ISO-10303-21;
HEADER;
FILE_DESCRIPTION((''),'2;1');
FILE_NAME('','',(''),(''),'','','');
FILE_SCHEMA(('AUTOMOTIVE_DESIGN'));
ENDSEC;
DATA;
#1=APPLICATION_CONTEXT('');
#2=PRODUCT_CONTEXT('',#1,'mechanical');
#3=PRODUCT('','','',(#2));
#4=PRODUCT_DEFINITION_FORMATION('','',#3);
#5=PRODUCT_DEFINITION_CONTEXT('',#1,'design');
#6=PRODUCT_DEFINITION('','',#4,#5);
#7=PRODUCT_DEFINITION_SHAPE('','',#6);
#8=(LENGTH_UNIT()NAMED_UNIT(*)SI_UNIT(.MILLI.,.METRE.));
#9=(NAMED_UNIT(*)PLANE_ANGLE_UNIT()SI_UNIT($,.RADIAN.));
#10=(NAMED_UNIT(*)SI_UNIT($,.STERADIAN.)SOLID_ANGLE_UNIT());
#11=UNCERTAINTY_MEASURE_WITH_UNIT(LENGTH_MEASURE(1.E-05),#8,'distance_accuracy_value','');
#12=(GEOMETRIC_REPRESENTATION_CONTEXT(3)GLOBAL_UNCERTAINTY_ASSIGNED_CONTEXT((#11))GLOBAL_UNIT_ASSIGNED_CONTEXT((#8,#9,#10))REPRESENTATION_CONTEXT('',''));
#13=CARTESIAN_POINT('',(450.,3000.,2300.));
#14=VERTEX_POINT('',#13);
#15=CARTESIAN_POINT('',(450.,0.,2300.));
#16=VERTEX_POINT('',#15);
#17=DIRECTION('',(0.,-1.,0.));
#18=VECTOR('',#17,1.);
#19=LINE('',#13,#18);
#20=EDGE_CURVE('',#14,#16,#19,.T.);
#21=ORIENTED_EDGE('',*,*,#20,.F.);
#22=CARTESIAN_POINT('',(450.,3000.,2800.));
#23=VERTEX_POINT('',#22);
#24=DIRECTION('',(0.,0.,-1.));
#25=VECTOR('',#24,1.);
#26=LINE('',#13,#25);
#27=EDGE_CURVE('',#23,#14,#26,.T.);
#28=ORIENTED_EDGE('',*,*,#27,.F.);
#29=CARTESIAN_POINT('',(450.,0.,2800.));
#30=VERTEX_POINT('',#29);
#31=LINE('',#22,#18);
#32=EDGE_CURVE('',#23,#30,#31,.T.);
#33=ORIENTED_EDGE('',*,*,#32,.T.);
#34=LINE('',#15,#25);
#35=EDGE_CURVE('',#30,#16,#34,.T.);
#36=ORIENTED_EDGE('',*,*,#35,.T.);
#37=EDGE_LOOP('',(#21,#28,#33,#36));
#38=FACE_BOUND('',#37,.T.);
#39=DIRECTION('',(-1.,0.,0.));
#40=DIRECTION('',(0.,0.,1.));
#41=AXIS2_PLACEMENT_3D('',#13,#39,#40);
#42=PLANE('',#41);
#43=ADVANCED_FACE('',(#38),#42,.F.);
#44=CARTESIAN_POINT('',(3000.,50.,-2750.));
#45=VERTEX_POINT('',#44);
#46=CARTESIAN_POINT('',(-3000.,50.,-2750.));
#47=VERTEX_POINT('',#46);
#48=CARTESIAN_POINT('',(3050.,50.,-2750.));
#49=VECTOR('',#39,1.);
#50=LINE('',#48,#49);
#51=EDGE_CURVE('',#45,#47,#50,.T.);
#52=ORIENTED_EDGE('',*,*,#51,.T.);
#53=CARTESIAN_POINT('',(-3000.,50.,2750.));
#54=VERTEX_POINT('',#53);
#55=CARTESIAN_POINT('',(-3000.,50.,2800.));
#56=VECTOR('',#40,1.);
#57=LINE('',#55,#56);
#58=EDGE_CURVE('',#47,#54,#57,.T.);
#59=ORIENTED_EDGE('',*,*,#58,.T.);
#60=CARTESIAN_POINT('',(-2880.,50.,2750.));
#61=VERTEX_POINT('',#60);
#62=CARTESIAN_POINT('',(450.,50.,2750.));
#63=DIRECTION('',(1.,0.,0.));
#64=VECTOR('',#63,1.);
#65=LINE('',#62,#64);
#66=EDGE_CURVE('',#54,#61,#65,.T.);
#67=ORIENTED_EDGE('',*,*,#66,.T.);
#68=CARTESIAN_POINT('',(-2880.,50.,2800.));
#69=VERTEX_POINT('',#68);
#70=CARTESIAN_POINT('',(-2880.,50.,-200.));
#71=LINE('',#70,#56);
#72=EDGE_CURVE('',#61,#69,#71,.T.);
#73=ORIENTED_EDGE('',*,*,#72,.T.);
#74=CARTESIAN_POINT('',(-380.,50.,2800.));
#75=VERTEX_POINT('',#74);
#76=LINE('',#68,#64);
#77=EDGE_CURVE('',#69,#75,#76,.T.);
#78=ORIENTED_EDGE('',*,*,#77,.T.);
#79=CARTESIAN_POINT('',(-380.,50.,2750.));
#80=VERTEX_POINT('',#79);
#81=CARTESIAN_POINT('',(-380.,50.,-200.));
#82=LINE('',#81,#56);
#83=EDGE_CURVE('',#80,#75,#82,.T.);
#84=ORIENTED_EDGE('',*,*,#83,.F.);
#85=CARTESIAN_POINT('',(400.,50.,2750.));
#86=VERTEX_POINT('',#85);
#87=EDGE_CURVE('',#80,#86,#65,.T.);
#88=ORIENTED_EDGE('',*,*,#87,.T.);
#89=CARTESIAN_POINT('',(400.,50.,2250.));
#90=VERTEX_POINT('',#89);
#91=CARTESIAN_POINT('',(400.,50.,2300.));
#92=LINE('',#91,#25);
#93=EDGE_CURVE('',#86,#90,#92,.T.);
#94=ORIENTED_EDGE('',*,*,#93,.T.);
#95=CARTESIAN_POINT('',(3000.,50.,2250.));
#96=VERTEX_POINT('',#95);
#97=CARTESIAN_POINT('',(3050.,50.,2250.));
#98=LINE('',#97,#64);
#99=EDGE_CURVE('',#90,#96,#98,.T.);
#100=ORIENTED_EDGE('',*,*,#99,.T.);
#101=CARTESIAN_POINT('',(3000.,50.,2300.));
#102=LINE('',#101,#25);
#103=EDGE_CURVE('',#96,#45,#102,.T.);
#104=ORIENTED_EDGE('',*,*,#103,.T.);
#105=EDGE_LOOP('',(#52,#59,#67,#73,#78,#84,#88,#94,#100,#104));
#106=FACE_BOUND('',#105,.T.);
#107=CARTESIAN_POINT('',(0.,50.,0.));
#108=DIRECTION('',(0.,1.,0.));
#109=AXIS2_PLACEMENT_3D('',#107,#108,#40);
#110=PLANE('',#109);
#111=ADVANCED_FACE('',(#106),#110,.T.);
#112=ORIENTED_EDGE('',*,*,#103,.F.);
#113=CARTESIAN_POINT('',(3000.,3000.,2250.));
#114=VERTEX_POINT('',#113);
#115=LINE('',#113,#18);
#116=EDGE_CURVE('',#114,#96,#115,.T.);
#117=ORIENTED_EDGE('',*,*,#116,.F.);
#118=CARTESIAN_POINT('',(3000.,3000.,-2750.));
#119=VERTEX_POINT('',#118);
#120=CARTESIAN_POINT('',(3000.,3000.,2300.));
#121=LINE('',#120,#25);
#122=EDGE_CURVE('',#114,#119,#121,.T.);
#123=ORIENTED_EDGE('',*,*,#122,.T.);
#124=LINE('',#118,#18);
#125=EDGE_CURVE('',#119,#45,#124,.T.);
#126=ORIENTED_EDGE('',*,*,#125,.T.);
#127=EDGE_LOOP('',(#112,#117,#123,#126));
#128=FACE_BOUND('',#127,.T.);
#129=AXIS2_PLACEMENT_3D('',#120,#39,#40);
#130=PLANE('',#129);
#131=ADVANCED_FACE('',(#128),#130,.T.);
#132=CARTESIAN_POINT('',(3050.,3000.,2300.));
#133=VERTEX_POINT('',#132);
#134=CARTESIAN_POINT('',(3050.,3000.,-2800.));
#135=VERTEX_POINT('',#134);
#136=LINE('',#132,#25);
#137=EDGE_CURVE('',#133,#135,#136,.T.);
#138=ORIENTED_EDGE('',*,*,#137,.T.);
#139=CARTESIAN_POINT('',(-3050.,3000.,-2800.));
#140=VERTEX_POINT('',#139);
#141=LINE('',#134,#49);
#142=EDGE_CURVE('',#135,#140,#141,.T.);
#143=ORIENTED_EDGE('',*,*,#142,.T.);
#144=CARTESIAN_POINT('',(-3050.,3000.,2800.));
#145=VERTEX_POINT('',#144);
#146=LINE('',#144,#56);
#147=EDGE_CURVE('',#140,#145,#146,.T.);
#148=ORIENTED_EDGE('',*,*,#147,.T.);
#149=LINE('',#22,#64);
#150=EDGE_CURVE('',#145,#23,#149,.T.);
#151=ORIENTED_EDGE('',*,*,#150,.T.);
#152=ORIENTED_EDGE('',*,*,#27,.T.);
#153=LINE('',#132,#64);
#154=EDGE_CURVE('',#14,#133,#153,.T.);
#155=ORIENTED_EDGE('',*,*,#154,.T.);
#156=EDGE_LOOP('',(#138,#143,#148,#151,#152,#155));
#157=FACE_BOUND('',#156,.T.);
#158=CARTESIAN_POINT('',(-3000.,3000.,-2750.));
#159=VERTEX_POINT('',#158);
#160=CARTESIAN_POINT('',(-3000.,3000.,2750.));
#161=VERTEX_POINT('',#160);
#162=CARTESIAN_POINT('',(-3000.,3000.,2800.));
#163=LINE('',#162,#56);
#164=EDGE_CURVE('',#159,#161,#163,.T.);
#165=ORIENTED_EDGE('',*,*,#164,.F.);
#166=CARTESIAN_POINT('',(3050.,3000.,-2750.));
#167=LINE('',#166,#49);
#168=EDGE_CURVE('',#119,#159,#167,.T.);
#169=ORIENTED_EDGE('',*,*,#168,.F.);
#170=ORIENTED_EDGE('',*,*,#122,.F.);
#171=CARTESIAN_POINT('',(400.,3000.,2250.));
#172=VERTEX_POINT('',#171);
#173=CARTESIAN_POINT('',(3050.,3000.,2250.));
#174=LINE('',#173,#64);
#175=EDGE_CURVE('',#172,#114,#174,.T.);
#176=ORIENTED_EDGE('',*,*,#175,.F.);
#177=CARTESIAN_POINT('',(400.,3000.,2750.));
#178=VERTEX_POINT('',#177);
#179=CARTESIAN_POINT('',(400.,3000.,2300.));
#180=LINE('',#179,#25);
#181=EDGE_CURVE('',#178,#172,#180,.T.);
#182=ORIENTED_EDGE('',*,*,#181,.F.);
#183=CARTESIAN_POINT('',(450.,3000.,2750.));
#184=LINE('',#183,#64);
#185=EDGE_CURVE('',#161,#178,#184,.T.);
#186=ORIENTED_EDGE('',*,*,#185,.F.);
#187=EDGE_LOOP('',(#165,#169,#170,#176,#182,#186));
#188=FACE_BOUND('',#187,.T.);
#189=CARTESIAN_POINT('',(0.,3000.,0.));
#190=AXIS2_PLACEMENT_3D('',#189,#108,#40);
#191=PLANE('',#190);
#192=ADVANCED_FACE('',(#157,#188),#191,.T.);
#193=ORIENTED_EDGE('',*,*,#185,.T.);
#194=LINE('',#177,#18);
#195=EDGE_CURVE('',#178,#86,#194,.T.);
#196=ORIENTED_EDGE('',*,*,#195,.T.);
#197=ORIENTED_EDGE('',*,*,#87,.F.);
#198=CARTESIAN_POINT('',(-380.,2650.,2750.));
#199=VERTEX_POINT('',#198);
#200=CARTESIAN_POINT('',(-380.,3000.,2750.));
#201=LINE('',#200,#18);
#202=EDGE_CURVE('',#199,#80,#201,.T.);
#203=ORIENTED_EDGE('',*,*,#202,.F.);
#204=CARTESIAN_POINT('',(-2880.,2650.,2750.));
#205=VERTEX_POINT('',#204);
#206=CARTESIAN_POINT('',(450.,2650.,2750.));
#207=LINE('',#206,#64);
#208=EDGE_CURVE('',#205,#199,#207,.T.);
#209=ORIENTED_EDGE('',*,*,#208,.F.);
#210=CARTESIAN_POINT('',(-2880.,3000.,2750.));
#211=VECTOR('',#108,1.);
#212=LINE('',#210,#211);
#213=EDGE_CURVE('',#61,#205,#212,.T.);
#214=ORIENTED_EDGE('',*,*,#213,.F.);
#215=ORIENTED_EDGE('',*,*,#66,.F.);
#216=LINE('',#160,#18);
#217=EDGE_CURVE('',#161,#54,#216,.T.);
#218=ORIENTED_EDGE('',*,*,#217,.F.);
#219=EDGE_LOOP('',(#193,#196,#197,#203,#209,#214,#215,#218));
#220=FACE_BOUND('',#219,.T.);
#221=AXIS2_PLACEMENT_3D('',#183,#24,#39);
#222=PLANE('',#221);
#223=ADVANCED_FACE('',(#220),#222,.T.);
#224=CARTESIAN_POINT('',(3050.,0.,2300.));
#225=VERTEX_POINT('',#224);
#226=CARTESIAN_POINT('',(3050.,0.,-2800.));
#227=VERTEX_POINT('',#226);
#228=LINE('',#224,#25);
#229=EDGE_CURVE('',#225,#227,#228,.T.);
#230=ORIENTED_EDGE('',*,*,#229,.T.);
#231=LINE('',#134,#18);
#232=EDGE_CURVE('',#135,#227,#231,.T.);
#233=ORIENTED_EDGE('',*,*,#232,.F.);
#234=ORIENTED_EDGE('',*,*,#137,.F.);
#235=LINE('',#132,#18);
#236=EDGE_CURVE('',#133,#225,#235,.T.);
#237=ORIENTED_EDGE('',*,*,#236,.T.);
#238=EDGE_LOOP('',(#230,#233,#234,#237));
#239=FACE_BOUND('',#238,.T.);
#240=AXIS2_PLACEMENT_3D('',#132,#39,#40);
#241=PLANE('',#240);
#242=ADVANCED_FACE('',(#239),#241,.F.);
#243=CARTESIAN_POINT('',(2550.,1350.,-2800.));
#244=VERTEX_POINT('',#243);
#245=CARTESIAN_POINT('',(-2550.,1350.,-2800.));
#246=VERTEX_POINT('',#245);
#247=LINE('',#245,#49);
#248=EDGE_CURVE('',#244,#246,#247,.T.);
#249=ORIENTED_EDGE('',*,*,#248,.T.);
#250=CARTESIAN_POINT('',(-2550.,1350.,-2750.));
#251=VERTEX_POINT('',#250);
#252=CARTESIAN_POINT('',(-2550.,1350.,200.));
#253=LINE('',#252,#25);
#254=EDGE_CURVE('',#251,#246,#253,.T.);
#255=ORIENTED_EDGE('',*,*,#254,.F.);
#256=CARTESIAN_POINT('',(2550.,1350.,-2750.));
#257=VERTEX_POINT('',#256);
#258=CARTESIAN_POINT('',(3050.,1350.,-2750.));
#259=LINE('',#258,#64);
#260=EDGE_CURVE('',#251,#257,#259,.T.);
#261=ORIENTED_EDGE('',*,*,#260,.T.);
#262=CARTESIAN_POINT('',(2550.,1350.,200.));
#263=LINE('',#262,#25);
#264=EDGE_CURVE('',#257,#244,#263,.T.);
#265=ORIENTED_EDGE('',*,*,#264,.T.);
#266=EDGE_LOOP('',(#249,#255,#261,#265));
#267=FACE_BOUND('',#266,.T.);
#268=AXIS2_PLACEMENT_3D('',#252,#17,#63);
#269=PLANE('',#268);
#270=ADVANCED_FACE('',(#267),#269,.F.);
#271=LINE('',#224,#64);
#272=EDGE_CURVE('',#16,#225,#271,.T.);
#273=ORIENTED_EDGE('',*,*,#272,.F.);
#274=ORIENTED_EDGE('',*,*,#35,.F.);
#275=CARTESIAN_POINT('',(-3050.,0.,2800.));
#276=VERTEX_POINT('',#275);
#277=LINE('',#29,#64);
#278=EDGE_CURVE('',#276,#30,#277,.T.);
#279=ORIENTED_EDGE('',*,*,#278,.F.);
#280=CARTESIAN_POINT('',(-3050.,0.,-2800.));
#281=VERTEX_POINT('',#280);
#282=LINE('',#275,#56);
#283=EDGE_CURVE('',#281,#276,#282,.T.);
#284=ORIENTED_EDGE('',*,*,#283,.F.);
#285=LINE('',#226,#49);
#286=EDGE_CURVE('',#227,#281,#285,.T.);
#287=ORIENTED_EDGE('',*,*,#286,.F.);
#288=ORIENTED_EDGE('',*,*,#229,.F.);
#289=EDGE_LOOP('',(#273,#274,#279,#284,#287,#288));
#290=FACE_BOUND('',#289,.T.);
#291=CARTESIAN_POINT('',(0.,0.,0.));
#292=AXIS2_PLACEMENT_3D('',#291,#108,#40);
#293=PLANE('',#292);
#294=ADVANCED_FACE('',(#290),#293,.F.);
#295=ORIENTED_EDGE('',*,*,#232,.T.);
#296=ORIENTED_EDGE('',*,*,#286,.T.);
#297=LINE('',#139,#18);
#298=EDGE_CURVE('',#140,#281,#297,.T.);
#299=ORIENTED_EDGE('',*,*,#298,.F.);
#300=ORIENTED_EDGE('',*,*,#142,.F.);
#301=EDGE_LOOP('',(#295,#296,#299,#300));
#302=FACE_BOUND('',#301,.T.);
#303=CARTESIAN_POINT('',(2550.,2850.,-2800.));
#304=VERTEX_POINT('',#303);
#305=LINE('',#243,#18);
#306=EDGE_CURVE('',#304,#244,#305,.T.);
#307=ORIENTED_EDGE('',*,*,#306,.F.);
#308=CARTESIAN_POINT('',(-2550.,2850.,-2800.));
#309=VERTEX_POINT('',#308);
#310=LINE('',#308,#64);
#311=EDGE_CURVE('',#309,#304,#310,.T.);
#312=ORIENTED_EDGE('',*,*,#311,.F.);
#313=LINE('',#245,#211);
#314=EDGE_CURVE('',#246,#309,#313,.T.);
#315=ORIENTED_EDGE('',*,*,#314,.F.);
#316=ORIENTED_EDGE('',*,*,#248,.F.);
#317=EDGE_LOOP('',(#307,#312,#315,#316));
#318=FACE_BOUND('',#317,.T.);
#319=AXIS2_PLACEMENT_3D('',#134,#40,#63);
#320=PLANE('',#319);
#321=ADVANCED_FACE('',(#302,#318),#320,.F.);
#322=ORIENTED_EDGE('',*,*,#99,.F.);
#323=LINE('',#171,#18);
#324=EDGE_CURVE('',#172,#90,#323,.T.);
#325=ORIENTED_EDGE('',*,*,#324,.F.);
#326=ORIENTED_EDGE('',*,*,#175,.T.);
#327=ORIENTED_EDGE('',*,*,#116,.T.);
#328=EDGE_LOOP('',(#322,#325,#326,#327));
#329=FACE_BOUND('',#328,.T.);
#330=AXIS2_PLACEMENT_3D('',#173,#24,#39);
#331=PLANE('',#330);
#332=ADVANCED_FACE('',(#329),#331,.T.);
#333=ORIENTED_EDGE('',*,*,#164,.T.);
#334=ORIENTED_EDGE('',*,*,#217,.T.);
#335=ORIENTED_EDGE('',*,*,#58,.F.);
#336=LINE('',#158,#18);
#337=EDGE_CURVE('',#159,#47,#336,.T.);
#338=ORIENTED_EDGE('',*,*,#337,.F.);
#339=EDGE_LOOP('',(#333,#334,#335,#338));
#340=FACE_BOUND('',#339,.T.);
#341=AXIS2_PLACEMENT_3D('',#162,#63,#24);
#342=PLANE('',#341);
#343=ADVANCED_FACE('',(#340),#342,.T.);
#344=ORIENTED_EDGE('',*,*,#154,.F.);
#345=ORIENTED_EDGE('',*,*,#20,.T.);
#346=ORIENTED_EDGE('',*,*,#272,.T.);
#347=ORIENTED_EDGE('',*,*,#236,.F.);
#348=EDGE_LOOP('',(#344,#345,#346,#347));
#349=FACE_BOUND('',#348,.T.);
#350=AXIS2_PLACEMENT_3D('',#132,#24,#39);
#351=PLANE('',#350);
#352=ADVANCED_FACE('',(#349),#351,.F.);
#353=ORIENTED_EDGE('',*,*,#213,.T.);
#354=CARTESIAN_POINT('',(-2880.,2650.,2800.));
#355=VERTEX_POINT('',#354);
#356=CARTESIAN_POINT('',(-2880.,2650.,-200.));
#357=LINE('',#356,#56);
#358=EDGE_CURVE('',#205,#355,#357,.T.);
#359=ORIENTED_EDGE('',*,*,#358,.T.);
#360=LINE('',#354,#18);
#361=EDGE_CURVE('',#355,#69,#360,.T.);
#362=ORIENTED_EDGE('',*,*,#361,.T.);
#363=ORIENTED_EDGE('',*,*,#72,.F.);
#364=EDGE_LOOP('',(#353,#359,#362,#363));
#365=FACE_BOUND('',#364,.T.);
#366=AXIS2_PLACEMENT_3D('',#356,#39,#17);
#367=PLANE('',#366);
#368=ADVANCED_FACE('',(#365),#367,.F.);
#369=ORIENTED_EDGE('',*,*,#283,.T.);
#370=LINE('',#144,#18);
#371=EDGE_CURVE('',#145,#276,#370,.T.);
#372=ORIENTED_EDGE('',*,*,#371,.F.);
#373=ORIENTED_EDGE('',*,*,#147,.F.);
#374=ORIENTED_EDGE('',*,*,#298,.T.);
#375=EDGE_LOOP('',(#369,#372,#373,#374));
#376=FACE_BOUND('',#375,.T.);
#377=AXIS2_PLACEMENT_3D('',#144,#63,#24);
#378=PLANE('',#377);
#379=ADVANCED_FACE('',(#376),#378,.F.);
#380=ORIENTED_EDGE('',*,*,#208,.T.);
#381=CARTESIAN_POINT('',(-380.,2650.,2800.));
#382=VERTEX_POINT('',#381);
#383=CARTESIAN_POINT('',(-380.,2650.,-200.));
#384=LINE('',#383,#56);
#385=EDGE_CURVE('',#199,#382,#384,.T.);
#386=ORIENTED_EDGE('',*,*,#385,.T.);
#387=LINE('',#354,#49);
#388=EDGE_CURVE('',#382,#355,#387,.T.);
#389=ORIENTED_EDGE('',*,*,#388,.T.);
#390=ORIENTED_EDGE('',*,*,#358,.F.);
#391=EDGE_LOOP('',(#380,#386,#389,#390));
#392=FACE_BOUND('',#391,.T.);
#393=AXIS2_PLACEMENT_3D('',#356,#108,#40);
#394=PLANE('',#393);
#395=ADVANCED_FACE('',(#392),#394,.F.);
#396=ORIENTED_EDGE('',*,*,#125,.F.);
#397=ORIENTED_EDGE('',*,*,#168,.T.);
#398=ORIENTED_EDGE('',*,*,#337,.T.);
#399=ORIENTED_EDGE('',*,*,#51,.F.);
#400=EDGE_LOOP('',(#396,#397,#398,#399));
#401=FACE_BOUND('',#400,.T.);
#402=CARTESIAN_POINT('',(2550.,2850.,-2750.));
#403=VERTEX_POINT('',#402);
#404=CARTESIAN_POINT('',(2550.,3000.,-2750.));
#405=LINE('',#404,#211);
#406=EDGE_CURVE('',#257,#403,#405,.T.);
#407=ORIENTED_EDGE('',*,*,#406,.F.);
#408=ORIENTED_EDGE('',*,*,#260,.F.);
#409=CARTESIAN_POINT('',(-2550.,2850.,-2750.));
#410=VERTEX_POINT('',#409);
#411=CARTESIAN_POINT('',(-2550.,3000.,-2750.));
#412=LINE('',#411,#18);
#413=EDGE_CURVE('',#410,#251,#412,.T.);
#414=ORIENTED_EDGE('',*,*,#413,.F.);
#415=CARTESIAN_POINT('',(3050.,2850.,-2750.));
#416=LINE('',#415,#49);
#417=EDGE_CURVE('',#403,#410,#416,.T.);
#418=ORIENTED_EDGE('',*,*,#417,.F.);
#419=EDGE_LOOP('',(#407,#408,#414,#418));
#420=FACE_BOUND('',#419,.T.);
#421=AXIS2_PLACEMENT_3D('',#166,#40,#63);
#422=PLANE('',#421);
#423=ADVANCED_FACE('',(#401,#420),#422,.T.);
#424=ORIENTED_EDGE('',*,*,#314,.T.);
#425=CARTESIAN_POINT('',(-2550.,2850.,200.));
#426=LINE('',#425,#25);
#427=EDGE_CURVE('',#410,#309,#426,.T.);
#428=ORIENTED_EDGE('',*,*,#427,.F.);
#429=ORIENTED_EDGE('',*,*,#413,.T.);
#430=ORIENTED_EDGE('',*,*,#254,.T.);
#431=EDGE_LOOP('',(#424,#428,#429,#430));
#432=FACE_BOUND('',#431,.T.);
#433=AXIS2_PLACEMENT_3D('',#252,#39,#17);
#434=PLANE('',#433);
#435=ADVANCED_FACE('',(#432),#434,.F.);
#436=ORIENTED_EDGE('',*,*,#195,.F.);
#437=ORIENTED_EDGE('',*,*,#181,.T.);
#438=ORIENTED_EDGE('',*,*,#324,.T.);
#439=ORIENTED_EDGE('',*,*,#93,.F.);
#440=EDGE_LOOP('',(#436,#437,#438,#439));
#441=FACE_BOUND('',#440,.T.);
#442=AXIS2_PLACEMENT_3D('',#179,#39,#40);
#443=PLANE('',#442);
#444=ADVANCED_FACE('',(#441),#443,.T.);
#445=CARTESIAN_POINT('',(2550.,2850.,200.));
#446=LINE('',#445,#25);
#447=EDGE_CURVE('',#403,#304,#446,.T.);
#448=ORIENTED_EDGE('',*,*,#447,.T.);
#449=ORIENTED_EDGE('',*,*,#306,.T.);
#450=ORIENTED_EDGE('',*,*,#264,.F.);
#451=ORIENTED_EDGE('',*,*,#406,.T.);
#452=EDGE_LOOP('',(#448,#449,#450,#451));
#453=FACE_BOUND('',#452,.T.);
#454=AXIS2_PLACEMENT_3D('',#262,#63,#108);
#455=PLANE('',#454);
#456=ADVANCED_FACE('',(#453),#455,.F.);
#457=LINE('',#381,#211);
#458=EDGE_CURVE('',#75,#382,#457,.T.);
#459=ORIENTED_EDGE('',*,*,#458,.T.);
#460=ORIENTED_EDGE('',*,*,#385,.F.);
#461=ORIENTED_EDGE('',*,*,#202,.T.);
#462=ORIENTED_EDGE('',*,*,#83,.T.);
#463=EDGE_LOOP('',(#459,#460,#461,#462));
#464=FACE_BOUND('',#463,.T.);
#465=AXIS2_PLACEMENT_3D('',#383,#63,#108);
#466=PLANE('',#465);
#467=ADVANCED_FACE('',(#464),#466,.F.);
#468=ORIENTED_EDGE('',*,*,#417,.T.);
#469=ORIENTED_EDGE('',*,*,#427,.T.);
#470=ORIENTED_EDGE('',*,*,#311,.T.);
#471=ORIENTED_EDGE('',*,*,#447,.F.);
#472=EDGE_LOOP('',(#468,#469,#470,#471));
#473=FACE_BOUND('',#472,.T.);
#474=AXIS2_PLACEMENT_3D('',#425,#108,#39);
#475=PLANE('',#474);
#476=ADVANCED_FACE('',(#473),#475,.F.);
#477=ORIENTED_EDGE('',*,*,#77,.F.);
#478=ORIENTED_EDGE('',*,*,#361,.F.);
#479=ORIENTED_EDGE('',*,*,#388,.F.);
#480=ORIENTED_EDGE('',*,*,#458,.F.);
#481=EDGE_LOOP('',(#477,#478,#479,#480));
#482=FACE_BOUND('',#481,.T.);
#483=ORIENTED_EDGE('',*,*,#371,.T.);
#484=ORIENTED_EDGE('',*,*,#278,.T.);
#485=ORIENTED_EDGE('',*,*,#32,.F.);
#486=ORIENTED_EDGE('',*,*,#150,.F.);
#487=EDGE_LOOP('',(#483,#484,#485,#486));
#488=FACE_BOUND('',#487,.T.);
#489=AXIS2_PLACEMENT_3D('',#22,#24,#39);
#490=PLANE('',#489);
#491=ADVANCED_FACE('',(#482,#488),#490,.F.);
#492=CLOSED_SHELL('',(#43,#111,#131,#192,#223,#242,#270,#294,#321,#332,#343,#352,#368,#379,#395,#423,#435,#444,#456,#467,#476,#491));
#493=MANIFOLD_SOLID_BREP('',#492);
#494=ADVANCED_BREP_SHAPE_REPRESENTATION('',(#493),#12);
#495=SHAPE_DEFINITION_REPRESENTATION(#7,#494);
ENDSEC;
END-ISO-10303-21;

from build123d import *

# Parameters (mm, degrees)
BOSS_EXTRUDE1_DEPTH = 3000
SHELL2_T            = -50
SKETCH2_W           = 2500
SKETCH2_H           = 2600
CUT_EXTRUDE1_DEPTH  = 3000
SKETCH3_W           = 5100
SKETCH3_H           = 1500
CUT_EXTRUDE2_DEPTH  = 3000


with BuildPart() as part:
    # Sketch1 → Boss-Extrude1 (new body)
    with BuildSketch(Plane(origin=(0, 0, 0), x_dir=(1, 0, 0), z_dir=(0, 1, 0))):
        Polygon((450, -2800), (-3050, -2800), (-3050, 2800), (3050, 2800), (3050, -2300), (450, -2300), align=None)
    extrude(amount=BOSS_EXTRUDE1_DEPTH)

    # Shell2
    shell2_openings = [part.faces().sort_by_distance(p)[0] for p in [
        (-69.233110164, 3000, -100.882531954),
    ]]
    offset(amount=SHELL2_T, openings=shell2_openings, kind=Kind.INTERSECTION)

    # Sketch2 → Cut-Extrude1 (cut)
    with BuildSketch(Plane.XY.offset(2800)):
        with Locations((-1630, 1350)):
            Rectangle(SKETCH2_W, SKETCH2_H)
    extrude(amount=-CUT_EXTRUDE1_DEPTH, mode=Mode.SUBTRACT)

    # Sketch3 → Cut-Extrude2 (cut)
    with BuildSketch(Plane(origin=(0, 0, -2800), x_dir=(-1, 0, 0), z_dir=(0, 0, -1))):
        with Locations((0, 2100)):
            Rectangle(SKETCH3_W, SKETCH3_H)
    extrude(amount=-CUT_EXTRUDE2_DEPTH, mode=Mode.SUBTRACT)


solid = part.part
